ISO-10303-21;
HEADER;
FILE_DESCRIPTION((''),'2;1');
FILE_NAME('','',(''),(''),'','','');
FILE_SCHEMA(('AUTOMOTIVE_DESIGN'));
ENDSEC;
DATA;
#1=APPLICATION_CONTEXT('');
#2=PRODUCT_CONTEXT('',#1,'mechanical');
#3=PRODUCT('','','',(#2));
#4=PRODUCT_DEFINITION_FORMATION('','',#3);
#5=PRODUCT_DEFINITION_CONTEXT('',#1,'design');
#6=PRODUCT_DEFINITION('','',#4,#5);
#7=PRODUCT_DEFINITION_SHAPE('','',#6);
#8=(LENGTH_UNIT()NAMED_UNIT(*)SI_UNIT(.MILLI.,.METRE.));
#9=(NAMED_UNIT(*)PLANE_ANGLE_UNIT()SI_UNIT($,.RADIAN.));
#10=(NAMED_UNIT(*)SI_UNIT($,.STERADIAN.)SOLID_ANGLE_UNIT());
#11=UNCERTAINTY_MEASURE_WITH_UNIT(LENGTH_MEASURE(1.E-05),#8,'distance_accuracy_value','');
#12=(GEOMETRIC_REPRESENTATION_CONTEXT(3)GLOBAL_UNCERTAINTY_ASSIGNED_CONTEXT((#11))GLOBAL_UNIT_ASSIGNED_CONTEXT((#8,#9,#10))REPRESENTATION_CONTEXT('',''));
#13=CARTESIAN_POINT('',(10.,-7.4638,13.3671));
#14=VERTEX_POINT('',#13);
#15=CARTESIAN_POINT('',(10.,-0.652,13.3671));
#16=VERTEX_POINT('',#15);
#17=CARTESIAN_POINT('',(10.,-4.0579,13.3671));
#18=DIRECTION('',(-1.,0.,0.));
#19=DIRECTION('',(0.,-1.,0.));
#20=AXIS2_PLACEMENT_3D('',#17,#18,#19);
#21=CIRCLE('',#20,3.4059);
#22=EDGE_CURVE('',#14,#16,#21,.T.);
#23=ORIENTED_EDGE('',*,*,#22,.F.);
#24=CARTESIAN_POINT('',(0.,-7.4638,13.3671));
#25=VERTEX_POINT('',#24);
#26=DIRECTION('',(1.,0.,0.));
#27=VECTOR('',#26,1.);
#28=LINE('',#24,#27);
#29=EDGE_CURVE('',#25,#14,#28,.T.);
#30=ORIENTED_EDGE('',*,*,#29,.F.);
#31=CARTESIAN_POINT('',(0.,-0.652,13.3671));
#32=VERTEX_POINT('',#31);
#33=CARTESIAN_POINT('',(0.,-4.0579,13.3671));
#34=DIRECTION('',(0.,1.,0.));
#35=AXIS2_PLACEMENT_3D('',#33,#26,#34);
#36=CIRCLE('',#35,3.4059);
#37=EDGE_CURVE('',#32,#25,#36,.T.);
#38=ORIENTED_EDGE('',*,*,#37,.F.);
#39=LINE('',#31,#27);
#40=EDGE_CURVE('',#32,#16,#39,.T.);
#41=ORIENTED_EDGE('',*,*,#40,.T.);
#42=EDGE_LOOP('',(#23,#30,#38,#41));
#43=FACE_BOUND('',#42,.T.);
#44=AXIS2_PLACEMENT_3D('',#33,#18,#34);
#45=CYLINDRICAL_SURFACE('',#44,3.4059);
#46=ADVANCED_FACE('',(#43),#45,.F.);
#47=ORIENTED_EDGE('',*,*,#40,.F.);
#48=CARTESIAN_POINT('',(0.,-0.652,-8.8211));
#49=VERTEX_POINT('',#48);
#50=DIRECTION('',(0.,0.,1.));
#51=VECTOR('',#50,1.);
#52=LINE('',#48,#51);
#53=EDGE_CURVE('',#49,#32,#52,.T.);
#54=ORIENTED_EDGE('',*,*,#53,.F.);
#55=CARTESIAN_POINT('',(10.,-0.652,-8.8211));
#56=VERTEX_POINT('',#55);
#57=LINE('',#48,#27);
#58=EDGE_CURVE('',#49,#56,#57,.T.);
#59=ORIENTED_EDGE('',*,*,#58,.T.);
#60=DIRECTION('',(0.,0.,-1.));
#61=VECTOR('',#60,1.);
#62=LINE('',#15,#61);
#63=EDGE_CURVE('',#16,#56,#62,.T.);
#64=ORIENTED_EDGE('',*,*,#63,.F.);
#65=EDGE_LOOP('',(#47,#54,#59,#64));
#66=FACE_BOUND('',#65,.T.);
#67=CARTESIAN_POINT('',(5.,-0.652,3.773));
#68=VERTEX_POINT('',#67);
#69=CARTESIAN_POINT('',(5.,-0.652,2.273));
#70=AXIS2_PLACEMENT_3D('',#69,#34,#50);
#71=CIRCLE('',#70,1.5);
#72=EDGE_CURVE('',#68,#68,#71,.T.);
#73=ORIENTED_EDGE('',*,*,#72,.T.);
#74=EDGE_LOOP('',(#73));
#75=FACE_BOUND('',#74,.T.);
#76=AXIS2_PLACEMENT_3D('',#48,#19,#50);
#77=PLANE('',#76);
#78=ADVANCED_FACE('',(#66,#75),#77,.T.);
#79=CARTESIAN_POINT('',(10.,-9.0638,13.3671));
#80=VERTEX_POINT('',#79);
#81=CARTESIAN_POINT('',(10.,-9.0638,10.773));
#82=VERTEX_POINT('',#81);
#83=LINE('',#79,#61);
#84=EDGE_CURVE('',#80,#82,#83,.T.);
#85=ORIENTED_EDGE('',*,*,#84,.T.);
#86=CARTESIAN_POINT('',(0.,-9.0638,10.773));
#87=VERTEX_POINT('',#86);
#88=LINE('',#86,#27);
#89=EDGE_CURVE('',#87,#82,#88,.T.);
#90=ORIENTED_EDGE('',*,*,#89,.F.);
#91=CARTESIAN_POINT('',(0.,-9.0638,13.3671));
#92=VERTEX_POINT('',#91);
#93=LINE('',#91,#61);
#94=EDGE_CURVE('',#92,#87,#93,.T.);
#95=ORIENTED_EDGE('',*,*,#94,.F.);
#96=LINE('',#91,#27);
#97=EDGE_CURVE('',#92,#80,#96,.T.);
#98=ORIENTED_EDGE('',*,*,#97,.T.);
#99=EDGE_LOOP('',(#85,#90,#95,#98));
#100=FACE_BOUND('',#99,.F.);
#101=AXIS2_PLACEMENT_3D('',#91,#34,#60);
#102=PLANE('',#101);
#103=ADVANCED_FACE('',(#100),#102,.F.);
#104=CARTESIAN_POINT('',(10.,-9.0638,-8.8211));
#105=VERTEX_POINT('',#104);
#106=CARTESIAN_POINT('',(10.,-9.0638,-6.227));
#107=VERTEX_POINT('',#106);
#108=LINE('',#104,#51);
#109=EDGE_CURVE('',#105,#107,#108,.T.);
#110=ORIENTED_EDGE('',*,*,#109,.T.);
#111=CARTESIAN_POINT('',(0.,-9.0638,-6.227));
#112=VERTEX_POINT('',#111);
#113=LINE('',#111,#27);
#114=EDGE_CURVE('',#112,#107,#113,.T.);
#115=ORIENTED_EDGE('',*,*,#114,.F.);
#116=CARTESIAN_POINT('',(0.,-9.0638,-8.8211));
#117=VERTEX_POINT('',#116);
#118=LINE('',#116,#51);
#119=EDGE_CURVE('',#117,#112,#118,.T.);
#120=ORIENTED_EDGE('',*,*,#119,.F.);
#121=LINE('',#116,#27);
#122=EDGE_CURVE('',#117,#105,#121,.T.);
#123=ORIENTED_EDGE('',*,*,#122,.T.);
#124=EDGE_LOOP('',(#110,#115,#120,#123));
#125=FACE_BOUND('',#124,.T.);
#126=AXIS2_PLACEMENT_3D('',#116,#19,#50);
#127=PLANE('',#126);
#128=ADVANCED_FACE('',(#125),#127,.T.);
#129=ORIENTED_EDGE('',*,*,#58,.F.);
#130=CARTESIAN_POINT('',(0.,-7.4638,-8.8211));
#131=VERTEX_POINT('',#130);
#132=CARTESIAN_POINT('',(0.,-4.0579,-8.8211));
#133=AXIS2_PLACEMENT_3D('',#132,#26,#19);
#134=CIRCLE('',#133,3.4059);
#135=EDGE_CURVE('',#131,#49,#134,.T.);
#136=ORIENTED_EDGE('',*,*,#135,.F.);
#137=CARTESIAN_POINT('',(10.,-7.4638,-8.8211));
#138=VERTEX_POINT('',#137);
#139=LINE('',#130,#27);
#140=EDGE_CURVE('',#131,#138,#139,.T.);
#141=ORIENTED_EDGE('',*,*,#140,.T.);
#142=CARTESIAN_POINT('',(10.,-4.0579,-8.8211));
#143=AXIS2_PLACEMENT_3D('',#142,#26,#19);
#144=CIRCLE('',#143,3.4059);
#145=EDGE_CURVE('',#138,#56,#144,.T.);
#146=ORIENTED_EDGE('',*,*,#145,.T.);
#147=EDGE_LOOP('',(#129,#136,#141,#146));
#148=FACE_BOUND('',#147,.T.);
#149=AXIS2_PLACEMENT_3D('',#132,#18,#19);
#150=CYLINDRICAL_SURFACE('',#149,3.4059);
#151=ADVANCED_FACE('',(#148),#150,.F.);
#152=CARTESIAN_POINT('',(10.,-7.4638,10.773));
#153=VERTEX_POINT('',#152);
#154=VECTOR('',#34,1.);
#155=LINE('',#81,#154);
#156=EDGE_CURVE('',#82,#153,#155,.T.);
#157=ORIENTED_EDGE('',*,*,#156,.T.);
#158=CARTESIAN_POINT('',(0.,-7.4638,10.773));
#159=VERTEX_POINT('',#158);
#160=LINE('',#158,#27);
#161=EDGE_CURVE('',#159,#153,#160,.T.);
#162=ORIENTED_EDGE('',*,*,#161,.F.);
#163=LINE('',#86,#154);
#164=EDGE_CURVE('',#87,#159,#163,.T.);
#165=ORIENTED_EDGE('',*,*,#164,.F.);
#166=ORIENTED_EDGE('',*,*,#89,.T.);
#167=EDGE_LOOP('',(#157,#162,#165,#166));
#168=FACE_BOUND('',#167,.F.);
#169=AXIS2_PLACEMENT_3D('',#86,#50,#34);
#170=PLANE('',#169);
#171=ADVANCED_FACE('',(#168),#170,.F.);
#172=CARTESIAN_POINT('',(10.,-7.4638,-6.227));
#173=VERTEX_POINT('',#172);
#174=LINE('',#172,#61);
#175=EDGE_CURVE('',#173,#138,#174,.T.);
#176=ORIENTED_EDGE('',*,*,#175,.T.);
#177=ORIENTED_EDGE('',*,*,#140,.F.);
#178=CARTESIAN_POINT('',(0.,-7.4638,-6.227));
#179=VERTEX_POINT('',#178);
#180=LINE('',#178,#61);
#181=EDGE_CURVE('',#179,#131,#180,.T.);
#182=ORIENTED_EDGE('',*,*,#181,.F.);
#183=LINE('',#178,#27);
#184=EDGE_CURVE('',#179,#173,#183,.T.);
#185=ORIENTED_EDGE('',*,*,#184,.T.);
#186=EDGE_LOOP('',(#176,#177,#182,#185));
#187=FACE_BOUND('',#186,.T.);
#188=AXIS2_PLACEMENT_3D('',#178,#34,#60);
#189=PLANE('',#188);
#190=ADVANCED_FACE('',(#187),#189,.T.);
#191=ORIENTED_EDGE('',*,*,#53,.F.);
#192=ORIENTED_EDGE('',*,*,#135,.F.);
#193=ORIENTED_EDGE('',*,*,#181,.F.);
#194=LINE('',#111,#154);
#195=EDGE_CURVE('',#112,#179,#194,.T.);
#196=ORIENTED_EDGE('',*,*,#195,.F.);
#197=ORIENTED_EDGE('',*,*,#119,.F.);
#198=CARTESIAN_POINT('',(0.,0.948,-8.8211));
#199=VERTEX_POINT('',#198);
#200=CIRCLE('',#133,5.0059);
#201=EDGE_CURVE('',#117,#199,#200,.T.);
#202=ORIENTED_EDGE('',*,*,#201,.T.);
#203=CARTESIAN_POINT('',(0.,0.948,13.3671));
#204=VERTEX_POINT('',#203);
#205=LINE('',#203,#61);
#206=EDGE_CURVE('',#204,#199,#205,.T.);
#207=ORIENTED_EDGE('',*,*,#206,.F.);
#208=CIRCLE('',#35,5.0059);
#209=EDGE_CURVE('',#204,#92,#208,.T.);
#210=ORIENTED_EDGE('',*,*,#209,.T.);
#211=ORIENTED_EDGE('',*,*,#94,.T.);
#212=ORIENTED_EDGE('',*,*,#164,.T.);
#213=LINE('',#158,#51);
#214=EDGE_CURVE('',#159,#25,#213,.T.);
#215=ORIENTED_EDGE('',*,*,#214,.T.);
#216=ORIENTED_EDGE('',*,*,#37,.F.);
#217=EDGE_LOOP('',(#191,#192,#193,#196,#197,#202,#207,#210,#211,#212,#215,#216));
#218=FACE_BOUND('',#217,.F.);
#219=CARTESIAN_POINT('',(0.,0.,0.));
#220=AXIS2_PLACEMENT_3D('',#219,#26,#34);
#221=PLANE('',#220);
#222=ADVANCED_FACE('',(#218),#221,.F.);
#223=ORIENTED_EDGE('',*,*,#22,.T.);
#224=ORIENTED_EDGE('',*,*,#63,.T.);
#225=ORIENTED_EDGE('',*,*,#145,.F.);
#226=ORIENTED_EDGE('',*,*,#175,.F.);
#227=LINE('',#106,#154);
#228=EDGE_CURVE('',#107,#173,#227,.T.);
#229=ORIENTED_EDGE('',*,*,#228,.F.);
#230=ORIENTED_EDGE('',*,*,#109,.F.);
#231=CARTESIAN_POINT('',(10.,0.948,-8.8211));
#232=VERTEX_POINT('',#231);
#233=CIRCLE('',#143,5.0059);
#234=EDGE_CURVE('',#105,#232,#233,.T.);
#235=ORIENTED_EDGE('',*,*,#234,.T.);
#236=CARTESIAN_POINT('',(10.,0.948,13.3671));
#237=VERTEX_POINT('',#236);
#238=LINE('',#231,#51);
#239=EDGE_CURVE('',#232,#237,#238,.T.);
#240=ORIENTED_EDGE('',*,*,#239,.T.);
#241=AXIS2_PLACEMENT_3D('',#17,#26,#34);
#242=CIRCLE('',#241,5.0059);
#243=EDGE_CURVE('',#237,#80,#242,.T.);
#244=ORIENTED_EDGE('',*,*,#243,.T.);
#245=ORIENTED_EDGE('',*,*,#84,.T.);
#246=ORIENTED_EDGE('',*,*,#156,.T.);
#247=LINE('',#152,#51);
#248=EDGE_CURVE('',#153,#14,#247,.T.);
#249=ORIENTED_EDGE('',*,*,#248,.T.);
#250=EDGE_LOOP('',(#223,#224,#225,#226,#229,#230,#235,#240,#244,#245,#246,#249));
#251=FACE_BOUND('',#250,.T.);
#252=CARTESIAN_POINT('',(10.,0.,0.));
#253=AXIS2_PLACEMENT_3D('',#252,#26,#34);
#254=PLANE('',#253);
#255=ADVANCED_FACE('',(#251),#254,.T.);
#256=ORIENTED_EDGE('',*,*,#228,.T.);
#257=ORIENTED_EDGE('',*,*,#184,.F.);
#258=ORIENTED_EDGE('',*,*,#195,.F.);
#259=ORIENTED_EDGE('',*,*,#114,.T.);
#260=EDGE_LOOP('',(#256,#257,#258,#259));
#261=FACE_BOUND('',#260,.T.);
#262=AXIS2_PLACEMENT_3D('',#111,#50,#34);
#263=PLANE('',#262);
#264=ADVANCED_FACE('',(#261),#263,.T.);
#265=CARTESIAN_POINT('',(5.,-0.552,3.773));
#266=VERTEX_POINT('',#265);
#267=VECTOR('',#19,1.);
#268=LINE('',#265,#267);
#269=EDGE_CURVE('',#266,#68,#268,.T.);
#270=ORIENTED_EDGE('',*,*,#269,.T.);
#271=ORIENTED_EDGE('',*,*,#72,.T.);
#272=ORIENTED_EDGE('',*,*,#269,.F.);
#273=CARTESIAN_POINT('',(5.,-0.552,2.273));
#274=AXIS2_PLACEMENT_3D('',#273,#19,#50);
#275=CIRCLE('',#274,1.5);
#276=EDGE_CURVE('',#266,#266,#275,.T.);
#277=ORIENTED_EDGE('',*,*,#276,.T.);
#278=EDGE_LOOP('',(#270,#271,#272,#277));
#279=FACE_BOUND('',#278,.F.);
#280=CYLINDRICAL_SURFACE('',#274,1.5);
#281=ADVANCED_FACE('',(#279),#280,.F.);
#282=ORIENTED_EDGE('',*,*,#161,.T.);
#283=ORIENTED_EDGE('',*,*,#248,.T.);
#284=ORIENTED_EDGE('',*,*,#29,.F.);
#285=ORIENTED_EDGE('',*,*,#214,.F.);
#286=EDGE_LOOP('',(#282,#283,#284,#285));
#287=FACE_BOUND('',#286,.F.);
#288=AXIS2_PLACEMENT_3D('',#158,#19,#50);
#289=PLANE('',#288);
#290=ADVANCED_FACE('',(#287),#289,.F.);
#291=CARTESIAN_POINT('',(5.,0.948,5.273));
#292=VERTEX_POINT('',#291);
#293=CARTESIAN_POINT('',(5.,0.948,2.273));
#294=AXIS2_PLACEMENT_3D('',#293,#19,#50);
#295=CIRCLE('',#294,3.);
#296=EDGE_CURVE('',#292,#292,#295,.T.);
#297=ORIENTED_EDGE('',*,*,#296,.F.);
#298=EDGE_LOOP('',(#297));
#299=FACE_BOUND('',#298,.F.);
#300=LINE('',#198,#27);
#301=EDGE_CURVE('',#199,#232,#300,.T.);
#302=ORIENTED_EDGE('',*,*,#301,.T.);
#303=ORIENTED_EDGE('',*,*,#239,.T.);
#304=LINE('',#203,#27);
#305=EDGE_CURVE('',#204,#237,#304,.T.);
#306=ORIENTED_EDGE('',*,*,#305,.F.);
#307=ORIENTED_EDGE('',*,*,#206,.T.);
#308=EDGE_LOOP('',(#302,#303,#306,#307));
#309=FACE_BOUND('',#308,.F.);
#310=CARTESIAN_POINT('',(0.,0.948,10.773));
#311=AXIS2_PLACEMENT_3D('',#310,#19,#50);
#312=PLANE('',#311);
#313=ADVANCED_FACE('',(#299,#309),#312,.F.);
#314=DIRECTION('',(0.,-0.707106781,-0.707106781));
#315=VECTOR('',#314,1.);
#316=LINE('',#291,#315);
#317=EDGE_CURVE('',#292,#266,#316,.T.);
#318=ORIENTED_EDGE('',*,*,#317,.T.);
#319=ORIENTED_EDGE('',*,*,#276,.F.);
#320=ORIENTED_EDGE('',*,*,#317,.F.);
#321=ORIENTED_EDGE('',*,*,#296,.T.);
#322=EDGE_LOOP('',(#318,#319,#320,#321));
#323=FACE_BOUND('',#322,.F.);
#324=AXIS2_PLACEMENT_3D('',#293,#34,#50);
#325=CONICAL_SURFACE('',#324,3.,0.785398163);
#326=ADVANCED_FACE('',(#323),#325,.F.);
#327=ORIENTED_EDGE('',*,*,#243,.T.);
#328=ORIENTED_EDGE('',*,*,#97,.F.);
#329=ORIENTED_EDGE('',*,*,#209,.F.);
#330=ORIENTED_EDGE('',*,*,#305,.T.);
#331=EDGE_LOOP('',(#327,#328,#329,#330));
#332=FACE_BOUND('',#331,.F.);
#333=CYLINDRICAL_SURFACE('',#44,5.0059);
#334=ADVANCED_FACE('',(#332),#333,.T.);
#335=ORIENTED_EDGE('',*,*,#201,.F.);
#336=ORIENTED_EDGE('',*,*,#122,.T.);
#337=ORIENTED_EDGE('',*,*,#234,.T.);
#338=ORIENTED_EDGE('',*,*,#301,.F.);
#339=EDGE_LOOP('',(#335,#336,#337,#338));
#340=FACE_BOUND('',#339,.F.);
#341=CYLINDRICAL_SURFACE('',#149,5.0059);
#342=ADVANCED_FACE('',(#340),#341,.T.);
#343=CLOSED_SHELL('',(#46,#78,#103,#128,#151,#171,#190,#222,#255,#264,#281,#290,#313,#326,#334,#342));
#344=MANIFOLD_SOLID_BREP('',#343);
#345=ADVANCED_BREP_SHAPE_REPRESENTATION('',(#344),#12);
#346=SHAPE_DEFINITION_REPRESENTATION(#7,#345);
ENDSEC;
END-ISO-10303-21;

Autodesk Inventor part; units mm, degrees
ref_plane "YZ Plane" through (0, 0, 0) normal (1, 0, 0) x (0, 1, 0)
ref_plane "XZ Plane" through (0, 0, 0) normal (0, 1, 0) x (-1, 0, 0)
ref_plane "XY Plane" through (0, 0, 0) normal (0, 0, 1) x (1, 0, 0)
sketch "Sketch1" plane through (0, 0, 0) normal (1, 0, 0) x (0, 1, 0)
  line L0 (-7.4638, 10.773) -> (-7.4638, 13.3671)
  line L1 (-0.652, 13.3671) -> (-0.652, 10.773)
  arc A0 (-0.652, 13.3671) -> (-7.4638, 13.3671) centre (-4.0579, 13.3671) ccw
  line L2 (0.948, 10.773) -> (0.948, 13.3671)
  arc A1 (0.948, 13.3671) -> (-9.0638, 13.3671) centre (-4.0579, 13.3671) ccw
  line L3 (-9.0638, 13.3671) -> (-9.0638, 10.773)
  line L4 (-9.0638, 10.773) -> (-7.4638, 10.773)
  line L5 (-0.652, 10.773) -> (-0.652, -6.227)
  line L6 (-4.0579, 16.773) -> (-4.0579, 10.773)
  line L7 (0.948, 10.773) -> (0.948, -6.227)
  line L8 (-0.652, 2.273) -> (-9.3077, 2.273)
  line L9 (-7.4638, -6.227) -> (-7.4638, -8.8211)
  line L10 (-0.652, -8.8211) -> (-0.652, -6.227)
  arc A2 (-7.4638, -8.8211) -> (-0.652, -8.8211) centre (-4.0579, -8.8211) ccw
  line L11 (0.948, -6.227) -> (0.948, -8.8211)
  arc A3 (-9.0638, -8.8211) -> (0.948, -8.8211) centre (-4.0579, -8.8211) ccw
  line L12 (-9.0638, -8.8211) -> (-9.0638, -6.227)
  line L13 (0.948, -6.227) -> (0.948, 10.773)
  line L14 (-9.0638, -6.227) -> (-7.4638, -6.227)
  point P0 (0, 0)
  point P1 (0.948, -6.227)
  dimension "d3" = 1.6
  dimension "d4" = 17
  dimension "d5" = 6
extrude "Extrusion1" add sketch "Sketch1" along normal blind 10
sketch "Sketch2" plane through (0, 0.948, 13.3671) normal (0, 1, 0) x (1, 0, 0)
  line L0 (0, 22.1882) -> (0, 0) projected
  line L1 (0, 0) -> (10, 0) projected
  line L2 (10, 22.1882) -> (10, 0) projected
  line L3 (0, 22.1882) -> (10, 22.1882) projected
  point P0 (0, 13.3671)
  point P1 (5, 11.0941)
  point P2 (0, 11.0941)
  point P3 (5, 0)
hole "Hole1" at (5, 0.948, 2.273) direction (0, -1, 0) diameter 3 end through all countersink diameter 6 countersink angle 90
properties part number "klips"
